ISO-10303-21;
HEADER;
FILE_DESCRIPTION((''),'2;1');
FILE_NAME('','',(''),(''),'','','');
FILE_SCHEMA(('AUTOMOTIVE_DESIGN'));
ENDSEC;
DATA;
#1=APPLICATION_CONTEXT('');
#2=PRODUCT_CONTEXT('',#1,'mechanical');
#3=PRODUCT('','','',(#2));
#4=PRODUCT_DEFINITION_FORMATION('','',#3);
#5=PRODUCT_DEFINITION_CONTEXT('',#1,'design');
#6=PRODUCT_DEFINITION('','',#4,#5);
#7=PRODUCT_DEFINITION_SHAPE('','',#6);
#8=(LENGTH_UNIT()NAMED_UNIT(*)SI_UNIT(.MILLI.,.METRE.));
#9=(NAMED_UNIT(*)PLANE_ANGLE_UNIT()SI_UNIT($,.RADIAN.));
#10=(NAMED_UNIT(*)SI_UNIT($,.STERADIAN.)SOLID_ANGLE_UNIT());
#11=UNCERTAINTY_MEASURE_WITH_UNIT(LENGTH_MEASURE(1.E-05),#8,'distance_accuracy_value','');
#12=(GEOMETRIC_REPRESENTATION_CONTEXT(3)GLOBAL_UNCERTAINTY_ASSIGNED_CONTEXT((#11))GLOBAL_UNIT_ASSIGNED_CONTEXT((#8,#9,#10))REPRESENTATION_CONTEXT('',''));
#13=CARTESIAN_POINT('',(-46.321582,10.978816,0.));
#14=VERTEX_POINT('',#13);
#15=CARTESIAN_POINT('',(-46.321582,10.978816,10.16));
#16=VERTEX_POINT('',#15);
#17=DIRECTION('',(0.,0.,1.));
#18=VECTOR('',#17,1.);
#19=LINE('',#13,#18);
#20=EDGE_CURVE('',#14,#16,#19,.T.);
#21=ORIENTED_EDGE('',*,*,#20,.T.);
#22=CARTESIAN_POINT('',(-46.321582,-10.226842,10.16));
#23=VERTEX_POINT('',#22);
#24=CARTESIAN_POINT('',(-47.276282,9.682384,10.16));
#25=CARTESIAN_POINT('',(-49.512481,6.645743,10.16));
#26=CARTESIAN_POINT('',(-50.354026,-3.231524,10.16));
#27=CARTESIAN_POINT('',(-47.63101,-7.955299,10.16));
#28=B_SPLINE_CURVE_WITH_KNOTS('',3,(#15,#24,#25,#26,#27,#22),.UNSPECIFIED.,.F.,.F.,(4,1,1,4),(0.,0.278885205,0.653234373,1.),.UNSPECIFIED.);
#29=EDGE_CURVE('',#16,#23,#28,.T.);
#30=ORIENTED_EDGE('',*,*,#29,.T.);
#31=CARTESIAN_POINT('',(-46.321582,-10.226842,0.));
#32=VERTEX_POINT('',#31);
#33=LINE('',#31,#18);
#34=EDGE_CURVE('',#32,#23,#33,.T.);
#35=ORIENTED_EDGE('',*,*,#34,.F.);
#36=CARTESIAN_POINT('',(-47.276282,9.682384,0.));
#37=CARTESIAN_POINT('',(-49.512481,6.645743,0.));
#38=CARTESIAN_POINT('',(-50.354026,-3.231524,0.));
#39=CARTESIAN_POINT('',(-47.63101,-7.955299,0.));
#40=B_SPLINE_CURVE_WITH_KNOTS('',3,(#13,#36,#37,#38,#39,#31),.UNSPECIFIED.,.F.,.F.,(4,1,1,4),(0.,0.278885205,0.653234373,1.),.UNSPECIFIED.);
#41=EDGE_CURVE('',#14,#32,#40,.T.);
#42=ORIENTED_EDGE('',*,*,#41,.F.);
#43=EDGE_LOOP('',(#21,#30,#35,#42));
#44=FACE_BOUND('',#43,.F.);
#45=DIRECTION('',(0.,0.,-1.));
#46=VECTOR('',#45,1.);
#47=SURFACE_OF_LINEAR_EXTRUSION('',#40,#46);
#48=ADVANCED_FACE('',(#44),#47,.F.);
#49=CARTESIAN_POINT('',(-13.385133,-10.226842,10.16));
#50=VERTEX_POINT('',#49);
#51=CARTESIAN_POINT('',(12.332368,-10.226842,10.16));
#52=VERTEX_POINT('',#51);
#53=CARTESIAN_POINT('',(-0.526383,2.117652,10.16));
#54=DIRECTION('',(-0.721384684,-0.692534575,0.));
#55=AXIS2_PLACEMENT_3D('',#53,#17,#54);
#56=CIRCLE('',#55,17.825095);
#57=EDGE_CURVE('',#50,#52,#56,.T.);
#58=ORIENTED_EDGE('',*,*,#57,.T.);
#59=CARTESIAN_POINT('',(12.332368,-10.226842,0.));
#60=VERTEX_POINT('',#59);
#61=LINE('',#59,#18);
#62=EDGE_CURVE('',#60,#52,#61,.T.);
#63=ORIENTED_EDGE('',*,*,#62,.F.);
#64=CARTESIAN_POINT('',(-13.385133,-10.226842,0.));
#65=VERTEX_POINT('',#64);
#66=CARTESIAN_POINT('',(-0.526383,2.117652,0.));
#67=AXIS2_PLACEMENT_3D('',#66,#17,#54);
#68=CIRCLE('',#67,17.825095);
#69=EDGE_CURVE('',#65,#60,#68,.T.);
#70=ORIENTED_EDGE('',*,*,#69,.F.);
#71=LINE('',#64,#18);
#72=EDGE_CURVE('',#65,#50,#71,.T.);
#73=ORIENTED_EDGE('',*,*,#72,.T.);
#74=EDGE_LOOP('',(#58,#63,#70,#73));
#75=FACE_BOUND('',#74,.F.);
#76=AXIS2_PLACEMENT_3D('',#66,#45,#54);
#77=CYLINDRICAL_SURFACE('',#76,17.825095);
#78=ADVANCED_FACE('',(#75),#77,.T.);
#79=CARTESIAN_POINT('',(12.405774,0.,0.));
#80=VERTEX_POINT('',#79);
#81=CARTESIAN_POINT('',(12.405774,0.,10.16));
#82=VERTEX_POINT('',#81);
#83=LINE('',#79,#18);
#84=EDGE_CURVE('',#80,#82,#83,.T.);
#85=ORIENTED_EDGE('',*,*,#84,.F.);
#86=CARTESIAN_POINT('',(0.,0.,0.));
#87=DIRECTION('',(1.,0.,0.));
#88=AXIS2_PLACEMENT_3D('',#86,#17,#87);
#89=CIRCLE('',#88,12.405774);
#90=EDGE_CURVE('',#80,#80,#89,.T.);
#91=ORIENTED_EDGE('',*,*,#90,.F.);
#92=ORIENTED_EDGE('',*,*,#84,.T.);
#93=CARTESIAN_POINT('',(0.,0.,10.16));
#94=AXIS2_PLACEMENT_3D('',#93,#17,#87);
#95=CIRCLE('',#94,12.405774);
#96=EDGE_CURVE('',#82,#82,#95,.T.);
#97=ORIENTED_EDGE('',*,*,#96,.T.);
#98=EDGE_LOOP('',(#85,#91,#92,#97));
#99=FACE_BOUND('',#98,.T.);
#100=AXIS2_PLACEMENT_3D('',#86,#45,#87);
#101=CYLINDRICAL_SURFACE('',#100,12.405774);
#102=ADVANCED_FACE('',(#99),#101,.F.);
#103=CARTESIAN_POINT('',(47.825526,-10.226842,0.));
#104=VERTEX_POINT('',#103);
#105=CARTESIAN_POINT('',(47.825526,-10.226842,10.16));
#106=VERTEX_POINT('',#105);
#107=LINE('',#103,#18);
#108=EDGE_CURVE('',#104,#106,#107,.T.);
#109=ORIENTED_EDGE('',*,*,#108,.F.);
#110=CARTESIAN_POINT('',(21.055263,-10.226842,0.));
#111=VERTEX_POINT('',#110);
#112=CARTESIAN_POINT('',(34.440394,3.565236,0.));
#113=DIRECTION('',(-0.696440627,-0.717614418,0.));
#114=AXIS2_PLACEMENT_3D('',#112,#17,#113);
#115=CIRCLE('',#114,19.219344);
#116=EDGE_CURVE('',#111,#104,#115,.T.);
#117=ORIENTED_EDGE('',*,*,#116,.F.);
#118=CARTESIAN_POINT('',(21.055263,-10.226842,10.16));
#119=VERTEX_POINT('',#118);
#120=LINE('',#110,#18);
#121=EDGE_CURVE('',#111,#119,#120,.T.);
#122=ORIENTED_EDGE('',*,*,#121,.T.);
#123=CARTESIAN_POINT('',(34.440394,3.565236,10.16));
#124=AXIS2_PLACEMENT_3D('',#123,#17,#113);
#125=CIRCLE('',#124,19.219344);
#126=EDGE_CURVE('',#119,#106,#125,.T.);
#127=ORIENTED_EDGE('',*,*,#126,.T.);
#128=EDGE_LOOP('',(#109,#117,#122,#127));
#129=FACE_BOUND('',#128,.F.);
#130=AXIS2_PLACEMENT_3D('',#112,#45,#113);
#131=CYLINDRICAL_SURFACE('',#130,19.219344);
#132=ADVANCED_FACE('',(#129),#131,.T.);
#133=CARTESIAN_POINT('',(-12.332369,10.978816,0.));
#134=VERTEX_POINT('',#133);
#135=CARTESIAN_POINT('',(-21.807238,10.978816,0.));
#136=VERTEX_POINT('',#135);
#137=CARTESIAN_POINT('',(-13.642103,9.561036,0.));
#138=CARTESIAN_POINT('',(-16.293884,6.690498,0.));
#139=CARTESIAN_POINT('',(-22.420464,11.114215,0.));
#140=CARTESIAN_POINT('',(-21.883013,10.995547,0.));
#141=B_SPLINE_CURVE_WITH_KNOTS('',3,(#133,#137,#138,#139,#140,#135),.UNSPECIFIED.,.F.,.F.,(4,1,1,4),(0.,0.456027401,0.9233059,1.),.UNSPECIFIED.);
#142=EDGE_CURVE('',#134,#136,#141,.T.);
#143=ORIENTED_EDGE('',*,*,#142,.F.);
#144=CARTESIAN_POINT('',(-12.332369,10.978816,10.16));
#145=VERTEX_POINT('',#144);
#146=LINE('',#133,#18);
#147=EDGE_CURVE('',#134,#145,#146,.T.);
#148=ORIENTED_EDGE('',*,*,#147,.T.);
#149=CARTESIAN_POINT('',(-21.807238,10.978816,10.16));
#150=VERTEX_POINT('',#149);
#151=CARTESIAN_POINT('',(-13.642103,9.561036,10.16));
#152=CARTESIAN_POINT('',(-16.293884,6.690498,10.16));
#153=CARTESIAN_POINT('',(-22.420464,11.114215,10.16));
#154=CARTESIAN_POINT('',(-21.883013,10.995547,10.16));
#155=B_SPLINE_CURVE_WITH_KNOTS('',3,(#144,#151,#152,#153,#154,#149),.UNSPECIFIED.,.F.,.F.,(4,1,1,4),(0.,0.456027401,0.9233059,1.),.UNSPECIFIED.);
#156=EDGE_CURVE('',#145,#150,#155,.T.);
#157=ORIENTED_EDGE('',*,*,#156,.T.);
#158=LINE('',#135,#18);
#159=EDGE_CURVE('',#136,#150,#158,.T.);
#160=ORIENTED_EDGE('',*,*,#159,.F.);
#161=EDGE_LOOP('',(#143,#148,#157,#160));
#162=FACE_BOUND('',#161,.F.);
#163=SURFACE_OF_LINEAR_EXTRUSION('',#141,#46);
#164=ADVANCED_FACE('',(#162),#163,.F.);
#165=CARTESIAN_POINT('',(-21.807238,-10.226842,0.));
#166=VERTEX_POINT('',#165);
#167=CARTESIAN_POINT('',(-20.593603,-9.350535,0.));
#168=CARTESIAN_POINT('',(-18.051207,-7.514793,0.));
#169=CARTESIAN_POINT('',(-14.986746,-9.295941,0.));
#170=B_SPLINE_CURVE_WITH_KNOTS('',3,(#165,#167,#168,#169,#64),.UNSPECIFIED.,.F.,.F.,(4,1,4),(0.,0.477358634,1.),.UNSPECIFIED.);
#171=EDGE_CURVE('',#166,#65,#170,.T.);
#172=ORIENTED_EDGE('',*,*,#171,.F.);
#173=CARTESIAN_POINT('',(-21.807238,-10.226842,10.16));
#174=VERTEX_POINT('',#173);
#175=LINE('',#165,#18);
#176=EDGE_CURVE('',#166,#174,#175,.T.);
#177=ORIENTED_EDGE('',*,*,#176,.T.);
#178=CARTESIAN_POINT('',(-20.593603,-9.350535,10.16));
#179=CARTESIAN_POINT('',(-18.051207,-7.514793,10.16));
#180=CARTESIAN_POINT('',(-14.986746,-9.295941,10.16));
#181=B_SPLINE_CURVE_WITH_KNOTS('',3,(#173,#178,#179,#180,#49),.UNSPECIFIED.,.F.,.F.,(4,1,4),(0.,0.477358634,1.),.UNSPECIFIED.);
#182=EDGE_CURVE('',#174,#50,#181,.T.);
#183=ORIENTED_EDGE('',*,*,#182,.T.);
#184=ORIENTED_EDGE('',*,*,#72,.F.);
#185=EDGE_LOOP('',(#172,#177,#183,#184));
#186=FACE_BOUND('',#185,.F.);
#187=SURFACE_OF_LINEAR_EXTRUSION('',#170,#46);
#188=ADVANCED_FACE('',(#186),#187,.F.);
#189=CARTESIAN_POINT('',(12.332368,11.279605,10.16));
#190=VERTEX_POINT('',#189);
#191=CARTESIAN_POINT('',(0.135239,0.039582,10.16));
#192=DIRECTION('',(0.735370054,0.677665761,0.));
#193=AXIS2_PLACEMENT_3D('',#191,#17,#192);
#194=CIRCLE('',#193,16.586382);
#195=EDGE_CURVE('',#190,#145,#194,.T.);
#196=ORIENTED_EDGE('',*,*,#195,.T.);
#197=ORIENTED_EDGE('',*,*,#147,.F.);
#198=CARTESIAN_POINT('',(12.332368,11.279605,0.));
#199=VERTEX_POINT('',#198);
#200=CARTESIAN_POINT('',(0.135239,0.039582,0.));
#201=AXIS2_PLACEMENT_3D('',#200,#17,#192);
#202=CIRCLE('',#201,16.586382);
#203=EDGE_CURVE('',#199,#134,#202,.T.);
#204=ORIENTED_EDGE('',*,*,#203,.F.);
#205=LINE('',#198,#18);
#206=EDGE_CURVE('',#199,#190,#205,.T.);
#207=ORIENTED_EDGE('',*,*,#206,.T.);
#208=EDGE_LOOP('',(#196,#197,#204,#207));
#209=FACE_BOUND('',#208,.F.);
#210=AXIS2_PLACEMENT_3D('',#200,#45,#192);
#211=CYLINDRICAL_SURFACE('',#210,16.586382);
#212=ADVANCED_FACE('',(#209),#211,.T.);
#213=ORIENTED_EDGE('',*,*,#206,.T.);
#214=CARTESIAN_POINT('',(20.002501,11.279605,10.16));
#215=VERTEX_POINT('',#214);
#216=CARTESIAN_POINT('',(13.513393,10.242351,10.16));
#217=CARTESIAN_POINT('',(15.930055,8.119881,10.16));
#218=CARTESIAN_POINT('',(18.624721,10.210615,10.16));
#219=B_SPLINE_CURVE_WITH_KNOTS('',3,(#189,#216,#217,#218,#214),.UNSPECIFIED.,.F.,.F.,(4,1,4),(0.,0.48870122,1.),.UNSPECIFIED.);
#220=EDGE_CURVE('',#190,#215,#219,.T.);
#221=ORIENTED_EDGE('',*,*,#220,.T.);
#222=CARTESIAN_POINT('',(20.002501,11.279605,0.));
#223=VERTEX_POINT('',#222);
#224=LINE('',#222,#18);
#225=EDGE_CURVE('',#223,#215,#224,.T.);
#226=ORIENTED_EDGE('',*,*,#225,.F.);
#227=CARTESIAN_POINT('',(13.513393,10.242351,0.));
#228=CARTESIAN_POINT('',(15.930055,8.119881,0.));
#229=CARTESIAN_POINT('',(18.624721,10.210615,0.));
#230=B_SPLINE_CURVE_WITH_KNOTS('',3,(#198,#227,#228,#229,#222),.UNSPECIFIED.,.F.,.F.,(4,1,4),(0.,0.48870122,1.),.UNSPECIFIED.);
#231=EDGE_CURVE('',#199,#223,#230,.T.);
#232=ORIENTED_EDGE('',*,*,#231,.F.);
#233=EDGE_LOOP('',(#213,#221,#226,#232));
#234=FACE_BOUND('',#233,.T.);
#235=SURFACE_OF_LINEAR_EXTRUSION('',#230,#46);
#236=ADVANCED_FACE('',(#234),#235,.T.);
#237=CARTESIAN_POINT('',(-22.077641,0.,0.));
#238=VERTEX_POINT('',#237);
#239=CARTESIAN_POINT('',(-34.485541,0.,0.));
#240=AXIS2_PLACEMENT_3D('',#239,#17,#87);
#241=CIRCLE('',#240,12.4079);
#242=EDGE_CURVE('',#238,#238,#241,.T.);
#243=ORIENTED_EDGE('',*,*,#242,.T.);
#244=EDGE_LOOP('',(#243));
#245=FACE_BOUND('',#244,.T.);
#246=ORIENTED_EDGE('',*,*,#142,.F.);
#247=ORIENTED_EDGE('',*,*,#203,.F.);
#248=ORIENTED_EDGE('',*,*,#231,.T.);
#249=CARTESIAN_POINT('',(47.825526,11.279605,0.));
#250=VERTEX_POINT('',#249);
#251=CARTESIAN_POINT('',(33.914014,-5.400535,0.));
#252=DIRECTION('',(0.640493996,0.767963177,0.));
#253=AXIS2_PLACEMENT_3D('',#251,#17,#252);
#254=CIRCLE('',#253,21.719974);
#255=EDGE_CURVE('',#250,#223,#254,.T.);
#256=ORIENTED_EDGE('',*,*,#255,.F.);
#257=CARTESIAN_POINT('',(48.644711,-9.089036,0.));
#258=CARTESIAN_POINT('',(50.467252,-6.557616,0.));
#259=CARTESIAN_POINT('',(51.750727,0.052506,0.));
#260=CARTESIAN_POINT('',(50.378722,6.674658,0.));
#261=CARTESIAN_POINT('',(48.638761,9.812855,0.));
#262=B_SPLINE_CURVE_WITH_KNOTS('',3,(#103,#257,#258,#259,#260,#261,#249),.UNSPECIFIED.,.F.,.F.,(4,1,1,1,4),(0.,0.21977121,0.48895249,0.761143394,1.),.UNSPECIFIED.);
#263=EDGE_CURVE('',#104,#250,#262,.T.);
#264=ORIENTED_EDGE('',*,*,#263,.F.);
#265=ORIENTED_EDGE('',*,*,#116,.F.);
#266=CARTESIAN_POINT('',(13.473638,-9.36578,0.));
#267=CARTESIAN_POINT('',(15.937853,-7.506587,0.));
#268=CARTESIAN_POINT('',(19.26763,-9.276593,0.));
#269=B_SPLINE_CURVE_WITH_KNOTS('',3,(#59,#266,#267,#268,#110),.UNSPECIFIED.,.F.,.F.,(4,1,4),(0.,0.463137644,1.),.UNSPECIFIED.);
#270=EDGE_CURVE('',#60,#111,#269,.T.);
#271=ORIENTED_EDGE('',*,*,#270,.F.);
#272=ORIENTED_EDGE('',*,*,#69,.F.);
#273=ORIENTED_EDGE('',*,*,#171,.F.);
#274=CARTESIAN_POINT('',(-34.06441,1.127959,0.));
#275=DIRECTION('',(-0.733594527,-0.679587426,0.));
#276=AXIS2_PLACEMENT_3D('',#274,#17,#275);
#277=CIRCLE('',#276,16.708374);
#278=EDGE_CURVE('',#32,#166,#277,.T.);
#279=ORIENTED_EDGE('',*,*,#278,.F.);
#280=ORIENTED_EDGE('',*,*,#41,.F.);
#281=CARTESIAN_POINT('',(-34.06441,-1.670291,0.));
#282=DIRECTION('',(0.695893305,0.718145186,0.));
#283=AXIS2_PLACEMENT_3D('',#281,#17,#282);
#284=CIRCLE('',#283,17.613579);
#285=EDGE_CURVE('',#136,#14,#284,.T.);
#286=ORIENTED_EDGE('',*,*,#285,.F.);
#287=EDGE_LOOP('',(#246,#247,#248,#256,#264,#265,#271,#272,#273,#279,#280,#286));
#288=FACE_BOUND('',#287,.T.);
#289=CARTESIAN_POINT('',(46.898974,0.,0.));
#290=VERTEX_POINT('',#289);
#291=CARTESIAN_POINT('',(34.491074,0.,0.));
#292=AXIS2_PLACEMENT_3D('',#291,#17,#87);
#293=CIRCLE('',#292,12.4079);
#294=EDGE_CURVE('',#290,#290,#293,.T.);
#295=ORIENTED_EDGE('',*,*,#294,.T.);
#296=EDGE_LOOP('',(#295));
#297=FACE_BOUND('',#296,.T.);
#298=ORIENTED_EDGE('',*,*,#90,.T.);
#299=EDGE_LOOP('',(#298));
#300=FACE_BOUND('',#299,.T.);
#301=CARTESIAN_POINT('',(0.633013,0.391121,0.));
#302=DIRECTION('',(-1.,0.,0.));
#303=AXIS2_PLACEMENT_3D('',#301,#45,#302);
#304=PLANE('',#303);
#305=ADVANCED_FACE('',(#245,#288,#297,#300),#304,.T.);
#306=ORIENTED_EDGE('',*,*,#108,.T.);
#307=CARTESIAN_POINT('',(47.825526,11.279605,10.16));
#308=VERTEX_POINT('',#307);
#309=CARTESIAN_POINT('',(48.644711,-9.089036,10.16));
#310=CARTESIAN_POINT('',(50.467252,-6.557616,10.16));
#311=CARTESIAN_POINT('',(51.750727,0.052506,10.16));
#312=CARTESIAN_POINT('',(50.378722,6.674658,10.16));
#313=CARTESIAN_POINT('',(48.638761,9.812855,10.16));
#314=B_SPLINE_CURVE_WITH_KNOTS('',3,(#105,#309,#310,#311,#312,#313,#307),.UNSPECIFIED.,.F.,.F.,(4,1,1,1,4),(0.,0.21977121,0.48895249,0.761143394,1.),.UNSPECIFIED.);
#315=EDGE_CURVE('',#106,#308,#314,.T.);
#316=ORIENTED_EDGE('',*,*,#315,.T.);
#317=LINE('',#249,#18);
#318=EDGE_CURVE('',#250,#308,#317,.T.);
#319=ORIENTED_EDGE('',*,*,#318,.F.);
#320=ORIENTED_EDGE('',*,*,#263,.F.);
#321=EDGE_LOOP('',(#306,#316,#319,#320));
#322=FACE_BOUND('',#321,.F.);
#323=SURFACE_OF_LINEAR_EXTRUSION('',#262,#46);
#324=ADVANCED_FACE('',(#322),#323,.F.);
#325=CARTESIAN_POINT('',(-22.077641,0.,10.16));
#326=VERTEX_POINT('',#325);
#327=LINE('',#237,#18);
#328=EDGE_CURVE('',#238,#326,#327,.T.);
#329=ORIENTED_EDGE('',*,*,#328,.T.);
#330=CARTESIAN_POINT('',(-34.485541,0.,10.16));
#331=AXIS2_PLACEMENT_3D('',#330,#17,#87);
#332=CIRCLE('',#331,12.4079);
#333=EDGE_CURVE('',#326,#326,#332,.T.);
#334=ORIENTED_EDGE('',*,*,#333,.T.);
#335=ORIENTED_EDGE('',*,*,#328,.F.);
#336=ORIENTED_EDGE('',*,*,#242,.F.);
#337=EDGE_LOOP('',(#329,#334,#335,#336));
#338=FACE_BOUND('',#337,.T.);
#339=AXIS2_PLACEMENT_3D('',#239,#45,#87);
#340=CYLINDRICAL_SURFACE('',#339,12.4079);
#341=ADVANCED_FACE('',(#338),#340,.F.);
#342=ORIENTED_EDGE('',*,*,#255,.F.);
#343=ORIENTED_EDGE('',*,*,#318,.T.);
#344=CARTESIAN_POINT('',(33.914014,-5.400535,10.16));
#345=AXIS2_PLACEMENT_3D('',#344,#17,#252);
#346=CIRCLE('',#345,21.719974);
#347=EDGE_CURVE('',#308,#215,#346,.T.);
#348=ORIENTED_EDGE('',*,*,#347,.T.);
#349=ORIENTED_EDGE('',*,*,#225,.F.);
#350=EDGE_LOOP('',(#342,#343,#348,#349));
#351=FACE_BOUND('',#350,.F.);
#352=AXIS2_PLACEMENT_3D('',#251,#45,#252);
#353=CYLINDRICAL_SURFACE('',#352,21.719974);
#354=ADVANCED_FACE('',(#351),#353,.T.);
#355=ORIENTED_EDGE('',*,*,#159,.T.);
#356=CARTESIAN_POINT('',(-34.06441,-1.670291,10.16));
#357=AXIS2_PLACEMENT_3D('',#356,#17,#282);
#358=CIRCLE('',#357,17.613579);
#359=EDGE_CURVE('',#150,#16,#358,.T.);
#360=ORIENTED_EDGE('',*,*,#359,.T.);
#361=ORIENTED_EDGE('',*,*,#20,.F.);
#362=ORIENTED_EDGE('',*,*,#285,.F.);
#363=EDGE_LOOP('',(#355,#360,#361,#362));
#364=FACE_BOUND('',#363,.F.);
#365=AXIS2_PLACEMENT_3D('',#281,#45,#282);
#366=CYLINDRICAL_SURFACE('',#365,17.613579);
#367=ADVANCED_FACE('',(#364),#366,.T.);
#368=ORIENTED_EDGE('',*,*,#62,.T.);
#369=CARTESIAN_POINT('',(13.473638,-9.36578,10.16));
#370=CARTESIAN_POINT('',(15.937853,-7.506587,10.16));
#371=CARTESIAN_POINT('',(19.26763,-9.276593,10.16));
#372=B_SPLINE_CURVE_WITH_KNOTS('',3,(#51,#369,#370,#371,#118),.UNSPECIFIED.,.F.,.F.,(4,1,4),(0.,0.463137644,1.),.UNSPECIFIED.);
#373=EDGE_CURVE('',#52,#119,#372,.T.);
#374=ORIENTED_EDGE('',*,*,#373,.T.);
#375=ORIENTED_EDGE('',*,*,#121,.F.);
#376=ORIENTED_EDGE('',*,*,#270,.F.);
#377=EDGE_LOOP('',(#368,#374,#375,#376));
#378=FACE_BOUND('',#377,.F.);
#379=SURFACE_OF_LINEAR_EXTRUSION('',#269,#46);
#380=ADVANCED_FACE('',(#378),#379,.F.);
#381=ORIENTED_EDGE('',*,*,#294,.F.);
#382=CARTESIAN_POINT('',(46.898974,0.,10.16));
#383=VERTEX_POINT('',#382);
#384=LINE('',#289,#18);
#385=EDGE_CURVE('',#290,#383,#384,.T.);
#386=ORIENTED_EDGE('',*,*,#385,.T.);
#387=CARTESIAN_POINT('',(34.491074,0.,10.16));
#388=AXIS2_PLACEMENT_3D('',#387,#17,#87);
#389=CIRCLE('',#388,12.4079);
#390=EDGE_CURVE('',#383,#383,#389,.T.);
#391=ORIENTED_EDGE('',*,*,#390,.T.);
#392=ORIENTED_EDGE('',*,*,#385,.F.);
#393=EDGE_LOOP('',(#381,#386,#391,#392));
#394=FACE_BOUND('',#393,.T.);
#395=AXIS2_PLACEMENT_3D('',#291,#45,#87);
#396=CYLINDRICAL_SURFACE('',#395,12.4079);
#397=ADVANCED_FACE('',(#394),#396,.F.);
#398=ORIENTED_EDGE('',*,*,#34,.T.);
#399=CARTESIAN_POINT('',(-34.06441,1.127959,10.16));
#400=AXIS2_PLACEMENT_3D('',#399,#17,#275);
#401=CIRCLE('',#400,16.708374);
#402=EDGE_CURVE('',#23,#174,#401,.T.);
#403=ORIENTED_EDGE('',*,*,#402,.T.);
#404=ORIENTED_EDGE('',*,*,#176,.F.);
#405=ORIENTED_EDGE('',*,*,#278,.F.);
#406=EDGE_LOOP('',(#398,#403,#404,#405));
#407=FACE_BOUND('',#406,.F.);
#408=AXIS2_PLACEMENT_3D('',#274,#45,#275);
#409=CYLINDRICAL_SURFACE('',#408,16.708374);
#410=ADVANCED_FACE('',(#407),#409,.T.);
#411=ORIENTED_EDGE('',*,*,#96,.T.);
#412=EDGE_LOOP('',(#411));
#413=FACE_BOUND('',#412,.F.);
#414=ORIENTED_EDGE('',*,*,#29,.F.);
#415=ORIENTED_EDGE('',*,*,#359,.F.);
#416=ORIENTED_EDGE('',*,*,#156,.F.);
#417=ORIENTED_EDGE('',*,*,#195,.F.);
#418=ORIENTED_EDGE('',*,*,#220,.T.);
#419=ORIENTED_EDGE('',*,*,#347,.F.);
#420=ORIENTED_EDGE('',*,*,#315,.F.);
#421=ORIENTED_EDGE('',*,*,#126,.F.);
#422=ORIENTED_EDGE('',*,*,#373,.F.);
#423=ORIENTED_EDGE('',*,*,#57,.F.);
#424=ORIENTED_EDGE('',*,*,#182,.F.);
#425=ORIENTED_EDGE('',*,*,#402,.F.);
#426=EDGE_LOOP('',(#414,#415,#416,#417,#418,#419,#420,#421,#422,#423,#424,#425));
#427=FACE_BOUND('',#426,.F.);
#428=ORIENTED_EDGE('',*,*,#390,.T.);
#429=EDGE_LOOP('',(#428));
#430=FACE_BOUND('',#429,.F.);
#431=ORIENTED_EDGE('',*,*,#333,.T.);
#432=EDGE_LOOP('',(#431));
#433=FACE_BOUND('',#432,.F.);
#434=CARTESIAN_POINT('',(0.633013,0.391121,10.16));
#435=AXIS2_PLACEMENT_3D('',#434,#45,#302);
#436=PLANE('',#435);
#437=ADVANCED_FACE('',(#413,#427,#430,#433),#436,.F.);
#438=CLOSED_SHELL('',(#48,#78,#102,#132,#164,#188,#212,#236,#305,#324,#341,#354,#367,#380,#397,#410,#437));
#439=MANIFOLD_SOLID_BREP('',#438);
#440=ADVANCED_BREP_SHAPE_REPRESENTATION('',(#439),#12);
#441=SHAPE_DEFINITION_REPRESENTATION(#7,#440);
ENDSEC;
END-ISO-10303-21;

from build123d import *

# Parameters (mm, degrees)
F0_R     = 12.4079
F0_R_2   = 12.4057735838
F1_DEPTH = 10.16


with BuildPart() as f1:
    # F0 (on Top) → F1 (new body)
    with BuildSketch(Plane.XY):
        with BuildLine():
            add(Edge.make_bspline(
                [(12.3323677108, 11.279605329), (13.5133931439, 10.2423514616), (15.930054663, 8.1198810754), (18.6247213144, 10.2106154132), (20.0025010854, 11.279605329)],
                knots=[0, 0, 0, 0, 0.4887012202, 1, 1, 1, 1], degree=3))
            ThreePointArc((12.3323677108, 11.279605329), (-0.0670189582, 16.6247310316), (-12.3323686421, 10.9788160771))
            add(Edge.make_bspline(
                [(-12.3323686421, 10.9788160771), (-13.6421025221, 9.5610364707), (-16.2938840049, 6.6904978334), (-22.4204641161, 11.1142148961), (-21.8830130901, 10.9955469418), (-21.8072384596, 10.9788160771)],
                knots=[0, 0, 0, 0, 0.4560274015, 0.9233059002, 1, 1, 1, 1], degree=3))
            ThreePointArc((-21.8072384596, 10.9788160771), (-34.0644102544, 15.9432881525), (-46.3215820491, 10.9788160771))
            add(Edge.make_bspline(
                [(-46.3215820491, 10.9788160771), (-47.2762818491, 9.6823836473), (-49.5124805226, 6.6457427262), (-50.3540258041, -3.2315240376), (-47.6310103888, -7.9552994571), (-46.3215820491, -10.226842016)],
                knots=[0, 0, 0, 0, 0.2788852047, 0.6532343725, 1, 1, 1, 1], degree=3))
            ThreePointArc((-46.3215820491, -10.226842016), (-34.0644102544, -15.5804151639), (-21.8072384596, -10.226842016))
            add(Edge.make_bspline(
                [(-21.8072384596, -10.226842016), (-20.5936033827, -9.3505348125), (-18.0512065555, -7.5147930017), (-14.9867464839, -9.2959406016), (-13.3851328865, -10.226842016)],
                knots=[0, 0, 0, 0, 0.4773586342, 1, 1, 1, 1], degree=3))
            ThreePointArc((-13.3851328865, -10.226842016), (-0.5263825879, -15.7074423278), (12.3323677108, -10.226842016))
            add(Edge.make_bspline(
                [(12.3323677108, -10.226842016), (13.4736383167, -9.3657797493), (15.9378530478, -7.506586749), (19.2676304149, -9.2765925385), (21.0552625358, -10.226842016)],
                knots=[0, 0, 0, 0, 0.4631376444, 1, 1, 1, 1], degree=3))
            ThreePointArc((21.0552625358, -10.226842016), (34.440394491, -15.6541076439), (47.8255264461, -10.226842016))
            add(Edge.make_bspline(
                [(47.8255264461, -10.226842016), (48.6447105013, -9.0890357292), (50.4672516958, -6.557615817), (51.7507272354, 0.0525058685), (50.3787224911, 6.674657533), (48.6387607378, 9.8128548746), (47.8255264461, 11.279605329)],
                knots=[0, 0, 0, 0, 0.2197712101, 0.4889524902, 0.7611433936, 1, 1, 1, 1], degree=3))
            ThreePointArc((47.8255264461, 11.279605329), (33.9140137658, 16.3194389974), (20.0025010854, 11.279605329))
        make_face()
        with Locations((-34.4855412841, 0)):
            Circle(F0_R, mode=Mode.SUBTRACT)
        Circle(F0_R_2, mode=Mode.SUBTRACT)
        with Locations((34.4910735838, 0)):
            Circle(F0_R, mode=Mode.SUBTRACT)
    extrude(amount=F1_DEPTH)


solid = f1.part
